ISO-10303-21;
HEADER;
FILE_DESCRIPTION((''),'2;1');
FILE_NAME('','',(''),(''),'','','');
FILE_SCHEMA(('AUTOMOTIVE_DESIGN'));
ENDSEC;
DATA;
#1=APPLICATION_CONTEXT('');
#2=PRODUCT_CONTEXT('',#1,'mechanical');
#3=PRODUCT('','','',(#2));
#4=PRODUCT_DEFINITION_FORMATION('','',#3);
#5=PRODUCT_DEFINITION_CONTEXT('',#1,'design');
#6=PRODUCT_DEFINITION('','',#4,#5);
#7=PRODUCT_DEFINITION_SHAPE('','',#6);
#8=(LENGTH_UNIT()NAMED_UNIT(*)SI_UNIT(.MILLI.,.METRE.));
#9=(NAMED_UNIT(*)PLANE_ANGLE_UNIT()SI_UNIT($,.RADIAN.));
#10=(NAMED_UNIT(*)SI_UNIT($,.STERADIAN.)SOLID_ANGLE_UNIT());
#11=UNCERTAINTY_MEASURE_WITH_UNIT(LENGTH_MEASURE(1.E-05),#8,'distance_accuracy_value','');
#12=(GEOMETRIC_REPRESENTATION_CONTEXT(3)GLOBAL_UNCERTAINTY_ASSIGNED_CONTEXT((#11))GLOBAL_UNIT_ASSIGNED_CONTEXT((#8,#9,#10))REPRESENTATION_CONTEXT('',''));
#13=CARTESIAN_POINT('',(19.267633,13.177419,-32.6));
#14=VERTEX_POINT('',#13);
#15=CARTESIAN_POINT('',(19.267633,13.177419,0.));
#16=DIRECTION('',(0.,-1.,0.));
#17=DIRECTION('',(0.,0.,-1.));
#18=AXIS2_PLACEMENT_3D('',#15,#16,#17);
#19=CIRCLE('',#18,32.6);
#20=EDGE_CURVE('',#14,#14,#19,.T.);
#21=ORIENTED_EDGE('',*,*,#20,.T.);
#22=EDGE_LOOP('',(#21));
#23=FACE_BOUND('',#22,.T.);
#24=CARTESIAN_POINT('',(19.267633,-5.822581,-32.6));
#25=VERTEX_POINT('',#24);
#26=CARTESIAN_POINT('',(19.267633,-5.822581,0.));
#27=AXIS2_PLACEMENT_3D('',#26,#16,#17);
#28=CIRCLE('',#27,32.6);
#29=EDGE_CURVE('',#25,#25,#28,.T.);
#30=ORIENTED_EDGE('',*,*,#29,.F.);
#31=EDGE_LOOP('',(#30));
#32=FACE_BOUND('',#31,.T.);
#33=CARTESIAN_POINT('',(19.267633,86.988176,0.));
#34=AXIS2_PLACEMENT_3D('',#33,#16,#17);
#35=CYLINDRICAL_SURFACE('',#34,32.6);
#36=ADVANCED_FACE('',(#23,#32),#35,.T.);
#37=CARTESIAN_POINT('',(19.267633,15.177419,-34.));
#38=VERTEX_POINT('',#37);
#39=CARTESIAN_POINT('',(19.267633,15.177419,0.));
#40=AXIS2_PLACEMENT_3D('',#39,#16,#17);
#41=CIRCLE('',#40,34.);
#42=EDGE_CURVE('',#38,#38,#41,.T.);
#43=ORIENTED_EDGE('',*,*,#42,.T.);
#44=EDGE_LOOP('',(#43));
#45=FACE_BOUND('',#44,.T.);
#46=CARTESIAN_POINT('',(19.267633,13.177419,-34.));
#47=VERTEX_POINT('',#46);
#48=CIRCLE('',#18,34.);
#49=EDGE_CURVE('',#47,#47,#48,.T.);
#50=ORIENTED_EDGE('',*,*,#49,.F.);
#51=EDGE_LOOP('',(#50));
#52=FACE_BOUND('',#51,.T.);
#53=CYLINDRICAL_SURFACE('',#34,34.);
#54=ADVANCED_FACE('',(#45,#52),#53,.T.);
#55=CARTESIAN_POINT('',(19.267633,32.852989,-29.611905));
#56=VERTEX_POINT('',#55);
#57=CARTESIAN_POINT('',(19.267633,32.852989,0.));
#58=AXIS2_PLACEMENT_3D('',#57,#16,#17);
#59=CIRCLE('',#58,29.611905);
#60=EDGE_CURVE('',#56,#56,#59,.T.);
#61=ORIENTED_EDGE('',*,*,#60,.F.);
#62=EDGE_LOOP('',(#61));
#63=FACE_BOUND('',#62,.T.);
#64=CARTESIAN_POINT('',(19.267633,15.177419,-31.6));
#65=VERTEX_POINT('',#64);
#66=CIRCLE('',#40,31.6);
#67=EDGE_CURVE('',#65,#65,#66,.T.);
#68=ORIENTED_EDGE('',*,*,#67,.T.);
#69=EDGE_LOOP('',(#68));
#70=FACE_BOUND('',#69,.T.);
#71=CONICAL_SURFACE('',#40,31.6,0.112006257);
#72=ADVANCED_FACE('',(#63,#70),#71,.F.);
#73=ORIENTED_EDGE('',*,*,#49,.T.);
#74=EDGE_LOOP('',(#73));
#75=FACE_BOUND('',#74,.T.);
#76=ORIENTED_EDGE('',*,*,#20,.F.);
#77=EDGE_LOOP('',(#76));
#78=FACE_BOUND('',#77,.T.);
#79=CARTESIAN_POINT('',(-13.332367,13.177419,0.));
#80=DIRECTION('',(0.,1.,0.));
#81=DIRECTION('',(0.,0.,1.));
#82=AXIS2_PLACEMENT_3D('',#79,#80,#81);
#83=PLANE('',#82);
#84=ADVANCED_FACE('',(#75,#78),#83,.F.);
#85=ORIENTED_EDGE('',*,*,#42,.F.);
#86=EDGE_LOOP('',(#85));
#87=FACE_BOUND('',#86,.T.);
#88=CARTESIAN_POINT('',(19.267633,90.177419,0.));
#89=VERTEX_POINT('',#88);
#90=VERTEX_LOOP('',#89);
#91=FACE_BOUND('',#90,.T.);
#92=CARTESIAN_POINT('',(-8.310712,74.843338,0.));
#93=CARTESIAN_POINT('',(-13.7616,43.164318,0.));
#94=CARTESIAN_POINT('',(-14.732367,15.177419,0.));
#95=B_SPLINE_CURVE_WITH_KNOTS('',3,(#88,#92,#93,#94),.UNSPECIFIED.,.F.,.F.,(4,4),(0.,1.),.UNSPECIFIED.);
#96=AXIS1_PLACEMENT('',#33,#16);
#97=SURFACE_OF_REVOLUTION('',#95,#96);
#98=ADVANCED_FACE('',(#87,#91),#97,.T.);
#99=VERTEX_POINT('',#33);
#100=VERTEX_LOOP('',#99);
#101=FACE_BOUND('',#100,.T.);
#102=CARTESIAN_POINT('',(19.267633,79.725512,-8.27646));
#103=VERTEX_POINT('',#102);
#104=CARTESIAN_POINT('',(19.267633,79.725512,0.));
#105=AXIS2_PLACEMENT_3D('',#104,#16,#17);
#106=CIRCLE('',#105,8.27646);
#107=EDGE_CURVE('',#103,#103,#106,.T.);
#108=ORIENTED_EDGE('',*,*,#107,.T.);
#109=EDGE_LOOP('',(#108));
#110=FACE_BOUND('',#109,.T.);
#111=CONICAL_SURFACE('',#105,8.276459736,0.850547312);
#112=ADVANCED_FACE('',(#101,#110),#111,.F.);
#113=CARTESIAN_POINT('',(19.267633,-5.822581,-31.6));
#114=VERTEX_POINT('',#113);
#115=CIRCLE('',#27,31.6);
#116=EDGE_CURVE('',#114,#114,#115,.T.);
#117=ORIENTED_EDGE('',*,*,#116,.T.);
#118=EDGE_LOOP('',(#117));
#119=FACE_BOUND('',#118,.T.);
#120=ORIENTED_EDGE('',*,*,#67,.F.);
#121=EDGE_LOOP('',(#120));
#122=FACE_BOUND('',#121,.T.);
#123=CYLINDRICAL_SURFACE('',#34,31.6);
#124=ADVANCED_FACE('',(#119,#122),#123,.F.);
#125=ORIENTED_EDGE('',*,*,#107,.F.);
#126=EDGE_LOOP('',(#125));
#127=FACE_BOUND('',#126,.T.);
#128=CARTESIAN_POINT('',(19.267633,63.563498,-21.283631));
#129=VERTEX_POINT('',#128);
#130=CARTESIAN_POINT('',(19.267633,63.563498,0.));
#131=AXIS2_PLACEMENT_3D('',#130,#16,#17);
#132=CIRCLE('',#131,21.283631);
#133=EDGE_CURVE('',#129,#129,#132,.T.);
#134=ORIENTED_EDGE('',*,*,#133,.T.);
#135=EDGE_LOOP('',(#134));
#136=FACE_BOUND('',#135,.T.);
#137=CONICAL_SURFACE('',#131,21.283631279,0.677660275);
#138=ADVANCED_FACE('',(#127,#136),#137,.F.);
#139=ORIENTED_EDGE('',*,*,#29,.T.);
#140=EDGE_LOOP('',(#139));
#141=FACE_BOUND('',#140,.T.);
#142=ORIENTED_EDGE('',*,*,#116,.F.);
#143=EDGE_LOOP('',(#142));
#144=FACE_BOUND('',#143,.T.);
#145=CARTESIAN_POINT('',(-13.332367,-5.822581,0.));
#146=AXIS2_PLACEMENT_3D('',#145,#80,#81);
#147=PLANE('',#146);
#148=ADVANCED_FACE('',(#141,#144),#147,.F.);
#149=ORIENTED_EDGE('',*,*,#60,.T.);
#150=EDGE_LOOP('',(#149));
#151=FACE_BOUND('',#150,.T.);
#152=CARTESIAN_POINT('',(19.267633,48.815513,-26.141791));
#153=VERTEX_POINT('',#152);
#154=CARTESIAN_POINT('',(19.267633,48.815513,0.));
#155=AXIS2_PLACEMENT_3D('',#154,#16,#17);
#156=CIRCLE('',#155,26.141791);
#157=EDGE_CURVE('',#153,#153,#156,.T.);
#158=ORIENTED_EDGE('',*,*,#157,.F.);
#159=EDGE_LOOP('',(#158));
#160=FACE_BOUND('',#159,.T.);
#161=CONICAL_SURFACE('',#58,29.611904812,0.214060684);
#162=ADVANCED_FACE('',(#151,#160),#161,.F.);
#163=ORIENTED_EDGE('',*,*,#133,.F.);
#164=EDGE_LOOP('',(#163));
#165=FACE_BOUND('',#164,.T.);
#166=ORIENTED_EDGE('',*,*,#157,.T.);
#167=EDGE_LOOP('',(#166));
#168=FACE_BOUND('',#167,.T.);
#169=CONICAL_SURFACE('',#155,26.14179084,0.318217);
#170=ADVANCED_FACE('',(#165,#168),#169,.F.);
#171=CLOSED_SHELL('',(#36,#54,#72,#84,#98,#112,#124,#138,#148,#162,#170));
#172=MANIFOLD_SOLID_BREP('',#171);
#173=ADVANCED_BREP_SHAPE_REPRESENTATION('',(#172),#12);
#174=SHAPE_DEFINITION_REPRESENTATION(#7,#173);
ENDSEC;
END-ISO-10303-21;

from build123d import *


with BuildPart() as part:
    # Sketch1 → Revolve1 (revolve)
    with BuildSketch(Plane.XY):
        with BuildLine():
            Line((-13.332366867, 13.177419355), (-13.332366867, -5.822580645))
            Line((-13.332366867, -5.822580645), (-12.332366867, -5.822580645))
            Line((-12.332366867, -5.822580645), (-12.332366867, 15.177419355))
            Line((-12.332366867, 15.177419355), (-10.344271679, 32.852989069))
            Line((-10.344271679, 32.852989069), (-6.874157706, 48.815513341))
            Line((-6.874157706, 48.815513341), (-2.015998145, 63.563497723))
            Line((-2.015998145, 63.563497723), (10.991173398, 79.725511747))
            Line((10.991173398, 79.725511747), (19.267633133, 86.988176056))
            Line((19.267633133, 86.988176056), (19.267633133, 90.177419355))
            add(Edge.make_bspline(
                [(19.267633133, 90.177419355), (-8.310711892, 74.843338049), (-13.761600321, 43.164318334), (-14.732366867, 15.177419355)],
                knots=[0, 0, 0, 0, 1, 1, 1, 1], degree=3))
            Line((-14.732366867, 15.177419355), (-14.732366867, 13.177419355))
            Line((-14.732366867, 13.177419355), (-13.332366867, 13.177419355))
        make_face()
    revolve(axis=Axis((19.267633133, 86.988176056, 0), (0, 1, 0)))


solid = part.part
